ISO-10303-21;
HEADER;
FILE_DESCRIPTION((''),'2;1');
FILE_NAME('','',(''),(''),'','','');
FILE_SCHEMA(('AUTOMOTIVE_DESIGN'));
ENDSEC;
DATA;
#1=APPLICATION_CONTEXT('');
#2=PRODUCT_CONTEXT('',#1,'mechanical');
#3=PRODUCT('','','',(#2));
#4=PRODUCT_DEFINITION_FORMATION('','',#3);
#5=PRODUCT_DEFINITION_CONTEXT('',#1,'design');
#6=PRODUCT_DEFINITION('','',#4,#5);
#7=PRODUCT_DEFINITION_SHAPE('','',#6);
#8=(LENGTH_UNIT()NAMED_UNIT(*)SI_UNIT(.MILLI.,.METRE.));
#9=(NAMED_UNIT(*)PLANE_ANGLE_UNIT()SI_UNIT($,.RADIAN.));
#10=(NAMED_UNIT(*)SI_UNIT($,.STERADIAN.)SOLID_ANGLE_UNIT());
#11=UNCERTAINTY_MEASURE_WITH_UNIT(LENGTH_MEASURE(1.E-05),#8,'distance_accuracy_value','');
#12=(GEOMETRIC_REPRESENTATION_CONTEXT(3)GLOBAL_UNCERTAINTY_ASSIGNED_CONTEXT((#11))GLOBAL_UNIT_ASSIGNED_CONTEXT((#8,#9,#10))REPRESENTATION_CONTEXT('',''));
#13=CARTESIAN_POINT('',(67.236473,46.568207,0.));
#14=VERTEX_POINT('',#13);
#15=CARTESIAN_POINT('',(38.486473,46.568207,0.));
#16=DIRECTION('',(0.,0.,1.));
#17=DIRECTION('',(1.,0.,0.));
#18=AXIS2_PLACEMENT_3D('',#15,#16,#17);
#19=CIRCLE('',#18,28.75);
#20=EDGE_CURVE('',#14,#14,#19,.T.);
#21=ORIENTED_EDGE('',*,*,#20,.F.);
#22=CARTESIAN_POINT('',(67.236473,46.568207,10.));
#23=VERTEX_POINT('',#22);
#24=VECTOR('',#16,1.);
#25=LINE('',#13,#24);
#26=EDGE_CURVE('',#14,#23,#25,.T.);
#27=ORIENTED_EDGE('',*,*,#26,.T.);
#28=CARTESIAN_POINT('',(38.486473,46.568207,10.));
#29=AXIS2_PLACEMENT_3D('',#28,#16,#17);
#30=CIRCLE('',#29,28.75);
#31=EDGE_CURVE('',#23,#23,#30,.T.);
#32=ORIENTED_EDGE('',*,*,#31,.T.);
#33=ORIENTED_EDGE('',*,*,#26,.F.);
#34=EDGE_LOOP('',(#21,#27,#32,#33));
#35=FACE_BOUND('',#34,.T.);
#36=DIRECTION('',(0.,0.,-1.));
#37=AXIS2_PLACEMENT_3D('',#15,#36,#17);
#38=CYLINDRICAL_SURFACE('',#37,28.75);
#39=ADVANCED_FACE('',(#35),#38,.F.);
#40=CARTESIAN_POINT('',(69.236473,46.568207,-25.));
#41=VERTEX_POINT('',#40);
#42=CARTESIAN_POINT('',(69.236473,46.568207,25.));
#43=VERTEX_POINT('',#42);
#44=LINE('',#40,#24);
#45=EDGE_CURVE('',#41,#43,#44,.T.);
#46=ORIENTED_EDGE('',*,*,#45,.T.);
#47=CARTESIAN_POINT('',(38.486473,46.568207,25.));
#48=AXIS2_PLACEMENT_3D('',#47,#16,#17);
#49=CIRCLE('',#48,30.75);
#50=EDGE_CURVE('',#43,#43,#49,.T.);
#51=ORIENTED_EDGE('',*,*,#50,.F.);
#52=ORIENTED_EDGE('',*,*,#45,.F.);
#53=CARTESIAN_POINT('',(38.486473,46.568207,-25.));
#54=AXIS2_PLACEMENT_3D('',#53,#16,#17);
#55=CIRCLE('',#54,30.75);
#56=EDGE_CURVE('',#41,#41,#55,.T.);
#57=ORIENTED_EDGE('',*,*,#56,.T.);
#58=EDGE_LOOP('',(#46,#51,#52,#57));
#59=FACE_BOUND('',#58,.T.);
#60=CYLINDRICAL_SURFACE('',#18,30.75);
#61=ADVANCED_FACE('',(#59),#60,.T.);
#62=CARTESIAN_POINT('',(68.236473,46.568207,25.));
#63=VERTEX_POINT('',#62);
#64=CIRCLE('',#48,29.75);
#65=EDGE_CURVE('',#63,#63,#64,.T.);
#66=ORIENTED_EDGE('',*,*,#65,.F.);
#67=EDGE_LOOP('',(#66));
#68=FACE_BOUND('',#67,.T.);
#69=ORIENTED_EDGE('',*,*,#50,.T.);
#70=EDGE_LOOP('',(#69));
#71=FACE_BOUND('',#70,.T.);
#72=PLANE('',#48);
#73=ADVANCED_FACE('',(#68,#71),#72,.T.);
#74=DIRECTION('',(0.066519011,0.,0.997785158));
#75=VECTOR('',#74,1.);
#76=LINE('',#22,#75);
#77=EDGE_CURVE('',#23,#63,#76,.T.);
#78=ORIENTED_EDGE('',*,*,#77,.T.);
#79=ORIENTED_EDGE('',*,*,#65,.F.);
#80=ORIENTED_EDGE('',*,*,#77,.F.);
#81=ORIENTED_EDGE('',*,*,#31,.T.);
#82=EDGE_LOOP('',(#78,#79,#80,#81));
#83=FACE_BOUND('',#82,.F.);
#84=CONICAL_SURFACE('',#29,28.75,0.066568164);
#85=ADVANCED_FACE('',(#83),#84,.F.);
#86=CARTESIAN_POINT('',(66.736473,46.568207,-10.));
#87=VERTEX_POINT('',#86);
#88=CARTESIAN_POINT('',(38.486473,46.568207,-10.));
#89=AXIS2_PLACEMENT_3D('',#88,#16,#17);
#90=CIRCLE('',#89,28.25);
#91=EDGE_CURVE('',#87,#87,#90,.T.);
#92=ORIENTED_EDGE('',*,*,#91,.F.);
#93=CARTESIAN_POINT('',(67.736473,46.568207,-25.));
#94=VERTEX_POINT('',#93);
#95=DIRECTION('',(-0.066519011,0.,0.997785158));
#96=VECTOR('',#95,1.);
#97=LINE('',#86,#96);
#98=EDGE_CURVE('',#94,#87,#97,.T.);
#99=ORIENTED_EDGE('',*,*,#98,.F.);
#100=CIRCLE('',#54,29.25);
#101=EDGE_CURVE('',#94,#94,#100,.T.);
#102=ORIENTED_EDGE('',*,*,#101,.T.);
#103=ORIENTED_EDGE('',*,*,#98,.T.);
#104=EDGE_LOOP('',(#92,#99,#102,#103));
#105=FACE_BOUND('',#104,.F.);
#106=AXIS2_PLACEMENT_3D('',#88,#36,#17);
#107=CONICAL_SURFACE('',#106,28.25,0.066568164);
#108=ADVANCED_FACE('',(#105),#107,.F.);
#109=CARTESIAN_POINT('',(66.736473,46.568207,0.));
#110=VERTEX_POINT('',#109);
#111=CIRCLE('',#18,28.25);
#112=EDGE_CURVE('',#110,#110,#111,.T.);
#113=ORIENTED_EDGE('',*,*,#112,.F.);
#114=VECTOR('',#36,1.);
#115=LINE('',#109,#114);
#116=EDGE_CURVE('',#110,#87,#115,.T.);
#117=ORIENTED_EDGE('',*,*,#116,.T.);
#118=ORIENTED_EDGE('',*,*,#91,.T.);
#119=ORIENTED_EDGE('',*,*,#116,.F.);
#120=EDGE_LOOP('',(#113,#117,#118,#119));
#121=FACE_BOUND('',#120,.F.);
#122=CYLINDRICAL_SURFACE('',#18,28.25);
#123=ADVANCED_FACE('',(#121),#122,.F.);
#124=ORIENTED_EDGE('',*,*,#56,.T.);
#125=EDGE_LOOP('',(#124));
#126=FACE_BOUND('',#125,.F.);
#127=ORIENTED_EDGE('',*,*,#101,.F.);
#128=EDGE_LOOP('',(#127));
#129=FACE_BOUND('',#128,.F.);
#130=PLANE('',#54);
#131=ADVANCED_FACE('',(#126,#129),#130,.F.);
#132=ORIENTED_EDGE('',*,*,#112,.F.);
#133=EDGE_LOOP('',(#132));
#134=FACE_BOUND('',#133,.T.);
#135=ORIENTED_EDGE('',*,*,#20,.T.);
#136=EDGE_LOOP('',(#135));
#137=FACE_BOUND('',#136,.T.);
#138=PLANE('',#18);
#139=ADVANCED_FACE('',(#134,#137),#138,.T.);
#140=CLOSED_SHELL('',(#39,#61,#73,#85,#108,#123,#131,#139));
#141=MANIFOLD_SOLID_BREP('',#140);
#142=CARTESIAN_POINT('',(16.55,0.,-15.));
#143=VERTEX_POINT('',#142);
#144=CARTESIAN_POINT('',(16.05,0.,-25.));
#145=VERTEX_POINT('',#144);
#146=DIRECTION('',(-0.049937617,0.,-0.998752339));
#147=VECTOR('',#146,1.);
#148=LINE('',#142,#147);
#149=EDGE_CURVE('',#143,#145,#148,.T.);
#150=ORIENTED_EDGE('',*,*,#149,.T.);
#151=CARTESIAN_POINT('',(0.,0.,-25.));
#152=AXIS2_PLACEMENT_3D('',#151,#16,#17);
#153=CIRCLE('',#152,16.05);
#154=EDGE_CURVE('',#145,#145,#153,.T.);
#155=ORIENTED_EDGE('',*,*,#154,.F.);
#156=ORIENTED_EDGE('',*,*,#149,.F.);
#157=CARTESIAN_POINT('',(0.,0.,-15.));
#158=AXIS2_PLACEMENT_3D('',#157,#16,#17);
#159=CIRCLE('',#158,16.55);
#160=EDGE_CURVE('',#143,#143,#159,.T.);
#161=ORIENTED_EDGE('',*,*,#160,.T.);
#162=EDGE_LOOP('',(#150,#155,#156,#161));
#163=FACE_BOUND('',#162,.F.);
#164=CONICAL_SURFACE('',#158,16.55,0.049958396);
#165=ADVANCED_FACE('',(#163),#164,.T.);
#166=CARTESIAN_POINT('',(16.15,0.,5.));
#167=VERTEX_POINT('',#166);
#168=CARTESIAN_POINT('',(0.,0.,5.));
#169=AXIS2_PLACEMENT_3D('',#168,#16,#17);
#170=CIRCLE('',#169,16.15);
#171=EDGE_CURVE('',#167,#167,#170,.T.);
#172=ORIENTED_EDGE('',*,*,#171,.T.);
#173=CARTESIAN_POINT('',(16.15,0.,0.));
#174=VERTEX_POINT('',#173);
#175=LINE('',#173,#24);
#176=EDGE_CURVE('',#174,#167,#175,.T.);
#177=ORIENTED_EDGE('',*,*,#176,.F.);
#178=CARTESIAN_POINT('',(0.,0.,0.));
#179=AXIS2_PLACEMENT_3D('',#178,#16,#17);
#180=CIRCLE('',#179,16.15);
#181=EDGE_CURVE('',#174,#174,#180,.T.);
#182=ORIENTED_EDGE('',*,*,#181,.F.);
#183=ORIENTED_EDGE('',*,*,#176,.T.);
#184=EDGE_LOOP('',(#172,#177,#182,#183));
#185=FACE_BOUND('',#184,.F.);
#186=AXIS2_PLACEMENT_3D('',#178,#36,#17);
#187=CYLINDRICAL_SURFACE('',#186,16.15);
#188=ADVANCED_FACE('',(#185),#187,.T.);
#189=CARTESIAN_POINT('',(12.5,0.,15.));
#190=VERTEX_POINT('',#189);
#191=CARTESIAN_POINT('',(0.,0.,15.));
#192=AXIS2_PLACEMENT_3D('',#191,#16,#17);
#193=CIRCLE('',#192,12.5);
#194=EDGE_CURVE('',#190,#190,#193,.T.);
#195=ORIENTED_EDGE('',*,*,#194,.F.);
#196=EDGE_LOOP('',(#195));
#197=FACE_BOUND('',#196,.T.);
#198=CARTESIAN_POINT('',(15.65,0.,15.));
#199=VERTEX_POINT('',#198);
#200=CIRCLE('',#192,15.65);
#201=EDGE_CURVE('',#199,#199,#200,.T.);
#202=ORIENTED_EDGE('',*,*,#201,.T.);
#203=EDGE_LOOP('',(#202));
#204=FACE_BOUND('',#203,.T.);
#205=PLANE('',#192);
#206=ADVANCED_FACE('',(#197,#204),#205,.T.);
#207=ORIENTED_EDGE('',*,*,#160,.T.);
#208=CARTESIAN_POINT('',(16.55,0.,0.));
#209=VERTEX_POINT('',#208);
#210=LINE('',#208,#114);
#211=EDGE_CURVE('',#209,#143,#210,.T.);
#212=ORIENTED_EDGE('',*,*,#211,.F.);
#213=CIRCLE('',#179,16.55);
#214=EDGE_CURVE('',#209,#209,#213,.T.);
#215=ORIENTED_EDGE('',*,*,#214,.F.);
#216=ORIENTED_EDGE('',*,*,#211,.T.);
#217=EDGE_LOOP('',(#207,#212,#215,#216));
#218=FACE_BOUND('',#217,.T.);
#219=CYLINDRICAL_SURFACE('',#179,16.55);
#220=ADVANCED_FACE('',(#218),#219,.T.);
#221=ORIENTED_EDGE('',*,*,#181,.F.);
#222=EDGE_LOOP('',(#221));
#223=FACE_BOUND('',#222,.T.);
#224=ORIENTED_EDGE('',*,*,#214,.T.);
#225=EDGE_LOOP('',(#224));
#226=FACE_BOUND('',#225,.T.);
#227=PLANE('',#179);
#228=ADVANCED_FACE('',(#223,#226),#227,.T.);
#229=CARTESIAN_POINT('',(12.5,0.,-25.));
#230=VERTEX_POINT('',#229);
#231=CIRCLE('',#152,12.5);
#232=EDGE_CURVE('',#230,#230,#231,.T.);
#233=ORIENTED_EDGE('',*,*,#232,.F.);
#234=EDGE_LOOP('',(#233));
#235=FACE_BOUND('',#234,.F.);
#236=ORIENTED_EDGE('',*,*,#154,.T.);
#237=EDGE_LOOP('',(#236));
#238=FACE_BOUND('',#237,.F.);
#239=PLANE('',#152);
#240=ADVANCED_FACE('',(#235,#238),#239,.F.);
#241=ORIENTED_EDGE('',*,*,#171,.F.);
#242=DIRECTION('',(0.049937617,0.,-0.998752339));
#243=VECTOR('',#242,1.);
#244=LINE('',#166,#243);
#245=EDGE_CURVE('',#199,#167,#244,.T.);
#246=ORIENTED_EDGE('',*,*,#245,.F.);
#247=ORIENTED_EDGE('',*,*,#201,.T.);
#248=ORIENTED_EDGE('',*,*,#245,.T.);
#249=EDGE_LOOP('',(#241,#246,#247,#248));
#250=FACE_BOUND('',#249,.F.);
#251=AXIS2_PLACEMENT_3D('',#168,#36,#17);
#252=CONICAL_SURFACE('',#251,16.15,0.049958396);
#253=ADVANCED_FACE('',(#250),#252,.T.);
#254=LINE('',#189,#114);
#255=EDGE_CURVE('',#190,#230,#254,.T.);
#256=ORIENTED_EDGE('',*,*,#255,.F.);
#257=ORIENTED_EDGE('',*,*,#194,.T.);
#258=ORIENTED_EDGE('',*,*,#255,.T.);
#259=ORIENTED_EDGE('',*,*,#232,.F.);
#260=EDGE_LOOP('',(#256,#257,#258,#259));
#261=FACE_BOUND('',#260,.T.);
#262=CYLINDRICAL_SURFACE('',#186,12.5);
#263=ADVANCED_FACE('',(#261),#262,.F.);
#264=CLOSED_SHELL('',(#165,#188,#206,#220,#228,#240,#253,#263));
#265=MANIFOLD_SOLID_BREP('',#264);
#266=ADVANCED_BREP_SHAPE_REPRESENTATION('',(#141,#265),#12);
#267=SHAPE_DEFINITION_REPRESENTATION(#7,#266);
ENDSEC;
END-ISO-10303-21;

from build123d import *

# Parameters (mm, degrees)
F0_R     = 16.15
F0_R_2   = 12.5
F1_DEPTH = 15
F0_R_3   = 16.55
F2_DEPTH = 25
F3_SIZE2 = 10
F3_SIZE  = 0.5
F4_SIZE2 = 0.5
F4_SIZE  = 10
F5_R     = 30.75
F5_R_2   = 28.75
F5_R_3   = 28.25
F6_DEPTH = 25
F7_DEPTH = 25
F8_SIZE2 = 1
F8_SIZE  = 15
F9_SIZE2 = 15
F9_SIZE  = 1


with BuildPart() as f1:
    # F0 (on Top) → F1 (new body)
    with BuildSketch(Plane.XY):
        Circle(F0_R)
        Circle(F0_R_2, mode=Mode.SUBTRACT)
    extrude(amount=F1_DEPTH)

    # F0 (on Top) → F2 (join)
    with BuildSketch(Plane.XY):
        Circle(F0_R_3)
        Circle(F0_R, mode=Mode.SUBTRACT)
        Circle(F0_R)
        Circle(F0_R_2, mode=Mode.SUBTRACT)
    extrude(amount=-F2_DEPTH)

    # F3
    f3_edges = [f1.edges().sort_by_distance(p)[0] for p in [
        (-16.15, 0, 15),
    ]]
    f3_side = f1.faces().sort_by_distance((-15.693209, 0, 15))[0]
    chamfer(f3_edges, length=F3_SIZE, length2=F3_SIZE2, reference=f3_side)

    # F4
    f4_edges = [f1.edges().sort_by_distance(p)[0] for p in [
        (-16.55, 0, -25),
    ]]
    f4_side = f1.faces().sort_by_distance((-16.55, 0, -12.5))[0]
    chamfer(f4_edges, length=F4_SIZE, length2=F4_SIZE2, reference=f4_side)


with BuildPart() as f6:
    # F5 (on Top) → F6 (new body)
    with BuildSketch(Plane.XY):
        with Locations((38.4864732623, 46.5682074428)):
            Circle(F5_R)
        with Locations((38.4864732623, 46.5682074428)):
            Circle(F5_R_2, mode=Mode.SUBTRACT)
        with Locations((38.4864732623, 46.5682074428)):
            Circle(F5_R_2)
        with Locations((38.4864732623, 46.5682074428)):
            Circle(F5_R_3, mode=Mode.SUBTRACT)
    extrude(amount=-F6_DEPTH)

    # F5 (on Top) → F7 (join)
    with BuildSketch(Plane.XY):
        with Locations((38.4864732623, 46.5682074428)):
            Circle(F5_R)
        with Locations((38.4864732623, 46.5682074428)):
            Circle(F5_R_2, mode=Mode.SUBTRACT)
    extrude(amount=F7_DEPTH)

    # F8
    f8_edges = [f6.edges().sort_by_distance(p)[0] for p in [
        (9.736473, 46.568207, 25),
    ]]
    f8_side = f6.faces().sort_by_distance((9.736473, 46.568207, 12.5))[0]
    chamfer(f8_edges, length=F8_SIZE, length2=F8_SIZE2, reference=f8_side)

    # F9
    f9_edges = [f6.edges().sort_by_distance(p)[0] for p in [
        (10.236473, 46.568207, -25),
    ]]
    f9_side = f6.faces().sort_by_distance((8.606215, 46.568207, -25))[0]
    chamfer(f9_edges, length=F9_SIZE, length2=F9_SIZE2, reference=f9_side)


solid = Compound([f1.part, f6.part])
